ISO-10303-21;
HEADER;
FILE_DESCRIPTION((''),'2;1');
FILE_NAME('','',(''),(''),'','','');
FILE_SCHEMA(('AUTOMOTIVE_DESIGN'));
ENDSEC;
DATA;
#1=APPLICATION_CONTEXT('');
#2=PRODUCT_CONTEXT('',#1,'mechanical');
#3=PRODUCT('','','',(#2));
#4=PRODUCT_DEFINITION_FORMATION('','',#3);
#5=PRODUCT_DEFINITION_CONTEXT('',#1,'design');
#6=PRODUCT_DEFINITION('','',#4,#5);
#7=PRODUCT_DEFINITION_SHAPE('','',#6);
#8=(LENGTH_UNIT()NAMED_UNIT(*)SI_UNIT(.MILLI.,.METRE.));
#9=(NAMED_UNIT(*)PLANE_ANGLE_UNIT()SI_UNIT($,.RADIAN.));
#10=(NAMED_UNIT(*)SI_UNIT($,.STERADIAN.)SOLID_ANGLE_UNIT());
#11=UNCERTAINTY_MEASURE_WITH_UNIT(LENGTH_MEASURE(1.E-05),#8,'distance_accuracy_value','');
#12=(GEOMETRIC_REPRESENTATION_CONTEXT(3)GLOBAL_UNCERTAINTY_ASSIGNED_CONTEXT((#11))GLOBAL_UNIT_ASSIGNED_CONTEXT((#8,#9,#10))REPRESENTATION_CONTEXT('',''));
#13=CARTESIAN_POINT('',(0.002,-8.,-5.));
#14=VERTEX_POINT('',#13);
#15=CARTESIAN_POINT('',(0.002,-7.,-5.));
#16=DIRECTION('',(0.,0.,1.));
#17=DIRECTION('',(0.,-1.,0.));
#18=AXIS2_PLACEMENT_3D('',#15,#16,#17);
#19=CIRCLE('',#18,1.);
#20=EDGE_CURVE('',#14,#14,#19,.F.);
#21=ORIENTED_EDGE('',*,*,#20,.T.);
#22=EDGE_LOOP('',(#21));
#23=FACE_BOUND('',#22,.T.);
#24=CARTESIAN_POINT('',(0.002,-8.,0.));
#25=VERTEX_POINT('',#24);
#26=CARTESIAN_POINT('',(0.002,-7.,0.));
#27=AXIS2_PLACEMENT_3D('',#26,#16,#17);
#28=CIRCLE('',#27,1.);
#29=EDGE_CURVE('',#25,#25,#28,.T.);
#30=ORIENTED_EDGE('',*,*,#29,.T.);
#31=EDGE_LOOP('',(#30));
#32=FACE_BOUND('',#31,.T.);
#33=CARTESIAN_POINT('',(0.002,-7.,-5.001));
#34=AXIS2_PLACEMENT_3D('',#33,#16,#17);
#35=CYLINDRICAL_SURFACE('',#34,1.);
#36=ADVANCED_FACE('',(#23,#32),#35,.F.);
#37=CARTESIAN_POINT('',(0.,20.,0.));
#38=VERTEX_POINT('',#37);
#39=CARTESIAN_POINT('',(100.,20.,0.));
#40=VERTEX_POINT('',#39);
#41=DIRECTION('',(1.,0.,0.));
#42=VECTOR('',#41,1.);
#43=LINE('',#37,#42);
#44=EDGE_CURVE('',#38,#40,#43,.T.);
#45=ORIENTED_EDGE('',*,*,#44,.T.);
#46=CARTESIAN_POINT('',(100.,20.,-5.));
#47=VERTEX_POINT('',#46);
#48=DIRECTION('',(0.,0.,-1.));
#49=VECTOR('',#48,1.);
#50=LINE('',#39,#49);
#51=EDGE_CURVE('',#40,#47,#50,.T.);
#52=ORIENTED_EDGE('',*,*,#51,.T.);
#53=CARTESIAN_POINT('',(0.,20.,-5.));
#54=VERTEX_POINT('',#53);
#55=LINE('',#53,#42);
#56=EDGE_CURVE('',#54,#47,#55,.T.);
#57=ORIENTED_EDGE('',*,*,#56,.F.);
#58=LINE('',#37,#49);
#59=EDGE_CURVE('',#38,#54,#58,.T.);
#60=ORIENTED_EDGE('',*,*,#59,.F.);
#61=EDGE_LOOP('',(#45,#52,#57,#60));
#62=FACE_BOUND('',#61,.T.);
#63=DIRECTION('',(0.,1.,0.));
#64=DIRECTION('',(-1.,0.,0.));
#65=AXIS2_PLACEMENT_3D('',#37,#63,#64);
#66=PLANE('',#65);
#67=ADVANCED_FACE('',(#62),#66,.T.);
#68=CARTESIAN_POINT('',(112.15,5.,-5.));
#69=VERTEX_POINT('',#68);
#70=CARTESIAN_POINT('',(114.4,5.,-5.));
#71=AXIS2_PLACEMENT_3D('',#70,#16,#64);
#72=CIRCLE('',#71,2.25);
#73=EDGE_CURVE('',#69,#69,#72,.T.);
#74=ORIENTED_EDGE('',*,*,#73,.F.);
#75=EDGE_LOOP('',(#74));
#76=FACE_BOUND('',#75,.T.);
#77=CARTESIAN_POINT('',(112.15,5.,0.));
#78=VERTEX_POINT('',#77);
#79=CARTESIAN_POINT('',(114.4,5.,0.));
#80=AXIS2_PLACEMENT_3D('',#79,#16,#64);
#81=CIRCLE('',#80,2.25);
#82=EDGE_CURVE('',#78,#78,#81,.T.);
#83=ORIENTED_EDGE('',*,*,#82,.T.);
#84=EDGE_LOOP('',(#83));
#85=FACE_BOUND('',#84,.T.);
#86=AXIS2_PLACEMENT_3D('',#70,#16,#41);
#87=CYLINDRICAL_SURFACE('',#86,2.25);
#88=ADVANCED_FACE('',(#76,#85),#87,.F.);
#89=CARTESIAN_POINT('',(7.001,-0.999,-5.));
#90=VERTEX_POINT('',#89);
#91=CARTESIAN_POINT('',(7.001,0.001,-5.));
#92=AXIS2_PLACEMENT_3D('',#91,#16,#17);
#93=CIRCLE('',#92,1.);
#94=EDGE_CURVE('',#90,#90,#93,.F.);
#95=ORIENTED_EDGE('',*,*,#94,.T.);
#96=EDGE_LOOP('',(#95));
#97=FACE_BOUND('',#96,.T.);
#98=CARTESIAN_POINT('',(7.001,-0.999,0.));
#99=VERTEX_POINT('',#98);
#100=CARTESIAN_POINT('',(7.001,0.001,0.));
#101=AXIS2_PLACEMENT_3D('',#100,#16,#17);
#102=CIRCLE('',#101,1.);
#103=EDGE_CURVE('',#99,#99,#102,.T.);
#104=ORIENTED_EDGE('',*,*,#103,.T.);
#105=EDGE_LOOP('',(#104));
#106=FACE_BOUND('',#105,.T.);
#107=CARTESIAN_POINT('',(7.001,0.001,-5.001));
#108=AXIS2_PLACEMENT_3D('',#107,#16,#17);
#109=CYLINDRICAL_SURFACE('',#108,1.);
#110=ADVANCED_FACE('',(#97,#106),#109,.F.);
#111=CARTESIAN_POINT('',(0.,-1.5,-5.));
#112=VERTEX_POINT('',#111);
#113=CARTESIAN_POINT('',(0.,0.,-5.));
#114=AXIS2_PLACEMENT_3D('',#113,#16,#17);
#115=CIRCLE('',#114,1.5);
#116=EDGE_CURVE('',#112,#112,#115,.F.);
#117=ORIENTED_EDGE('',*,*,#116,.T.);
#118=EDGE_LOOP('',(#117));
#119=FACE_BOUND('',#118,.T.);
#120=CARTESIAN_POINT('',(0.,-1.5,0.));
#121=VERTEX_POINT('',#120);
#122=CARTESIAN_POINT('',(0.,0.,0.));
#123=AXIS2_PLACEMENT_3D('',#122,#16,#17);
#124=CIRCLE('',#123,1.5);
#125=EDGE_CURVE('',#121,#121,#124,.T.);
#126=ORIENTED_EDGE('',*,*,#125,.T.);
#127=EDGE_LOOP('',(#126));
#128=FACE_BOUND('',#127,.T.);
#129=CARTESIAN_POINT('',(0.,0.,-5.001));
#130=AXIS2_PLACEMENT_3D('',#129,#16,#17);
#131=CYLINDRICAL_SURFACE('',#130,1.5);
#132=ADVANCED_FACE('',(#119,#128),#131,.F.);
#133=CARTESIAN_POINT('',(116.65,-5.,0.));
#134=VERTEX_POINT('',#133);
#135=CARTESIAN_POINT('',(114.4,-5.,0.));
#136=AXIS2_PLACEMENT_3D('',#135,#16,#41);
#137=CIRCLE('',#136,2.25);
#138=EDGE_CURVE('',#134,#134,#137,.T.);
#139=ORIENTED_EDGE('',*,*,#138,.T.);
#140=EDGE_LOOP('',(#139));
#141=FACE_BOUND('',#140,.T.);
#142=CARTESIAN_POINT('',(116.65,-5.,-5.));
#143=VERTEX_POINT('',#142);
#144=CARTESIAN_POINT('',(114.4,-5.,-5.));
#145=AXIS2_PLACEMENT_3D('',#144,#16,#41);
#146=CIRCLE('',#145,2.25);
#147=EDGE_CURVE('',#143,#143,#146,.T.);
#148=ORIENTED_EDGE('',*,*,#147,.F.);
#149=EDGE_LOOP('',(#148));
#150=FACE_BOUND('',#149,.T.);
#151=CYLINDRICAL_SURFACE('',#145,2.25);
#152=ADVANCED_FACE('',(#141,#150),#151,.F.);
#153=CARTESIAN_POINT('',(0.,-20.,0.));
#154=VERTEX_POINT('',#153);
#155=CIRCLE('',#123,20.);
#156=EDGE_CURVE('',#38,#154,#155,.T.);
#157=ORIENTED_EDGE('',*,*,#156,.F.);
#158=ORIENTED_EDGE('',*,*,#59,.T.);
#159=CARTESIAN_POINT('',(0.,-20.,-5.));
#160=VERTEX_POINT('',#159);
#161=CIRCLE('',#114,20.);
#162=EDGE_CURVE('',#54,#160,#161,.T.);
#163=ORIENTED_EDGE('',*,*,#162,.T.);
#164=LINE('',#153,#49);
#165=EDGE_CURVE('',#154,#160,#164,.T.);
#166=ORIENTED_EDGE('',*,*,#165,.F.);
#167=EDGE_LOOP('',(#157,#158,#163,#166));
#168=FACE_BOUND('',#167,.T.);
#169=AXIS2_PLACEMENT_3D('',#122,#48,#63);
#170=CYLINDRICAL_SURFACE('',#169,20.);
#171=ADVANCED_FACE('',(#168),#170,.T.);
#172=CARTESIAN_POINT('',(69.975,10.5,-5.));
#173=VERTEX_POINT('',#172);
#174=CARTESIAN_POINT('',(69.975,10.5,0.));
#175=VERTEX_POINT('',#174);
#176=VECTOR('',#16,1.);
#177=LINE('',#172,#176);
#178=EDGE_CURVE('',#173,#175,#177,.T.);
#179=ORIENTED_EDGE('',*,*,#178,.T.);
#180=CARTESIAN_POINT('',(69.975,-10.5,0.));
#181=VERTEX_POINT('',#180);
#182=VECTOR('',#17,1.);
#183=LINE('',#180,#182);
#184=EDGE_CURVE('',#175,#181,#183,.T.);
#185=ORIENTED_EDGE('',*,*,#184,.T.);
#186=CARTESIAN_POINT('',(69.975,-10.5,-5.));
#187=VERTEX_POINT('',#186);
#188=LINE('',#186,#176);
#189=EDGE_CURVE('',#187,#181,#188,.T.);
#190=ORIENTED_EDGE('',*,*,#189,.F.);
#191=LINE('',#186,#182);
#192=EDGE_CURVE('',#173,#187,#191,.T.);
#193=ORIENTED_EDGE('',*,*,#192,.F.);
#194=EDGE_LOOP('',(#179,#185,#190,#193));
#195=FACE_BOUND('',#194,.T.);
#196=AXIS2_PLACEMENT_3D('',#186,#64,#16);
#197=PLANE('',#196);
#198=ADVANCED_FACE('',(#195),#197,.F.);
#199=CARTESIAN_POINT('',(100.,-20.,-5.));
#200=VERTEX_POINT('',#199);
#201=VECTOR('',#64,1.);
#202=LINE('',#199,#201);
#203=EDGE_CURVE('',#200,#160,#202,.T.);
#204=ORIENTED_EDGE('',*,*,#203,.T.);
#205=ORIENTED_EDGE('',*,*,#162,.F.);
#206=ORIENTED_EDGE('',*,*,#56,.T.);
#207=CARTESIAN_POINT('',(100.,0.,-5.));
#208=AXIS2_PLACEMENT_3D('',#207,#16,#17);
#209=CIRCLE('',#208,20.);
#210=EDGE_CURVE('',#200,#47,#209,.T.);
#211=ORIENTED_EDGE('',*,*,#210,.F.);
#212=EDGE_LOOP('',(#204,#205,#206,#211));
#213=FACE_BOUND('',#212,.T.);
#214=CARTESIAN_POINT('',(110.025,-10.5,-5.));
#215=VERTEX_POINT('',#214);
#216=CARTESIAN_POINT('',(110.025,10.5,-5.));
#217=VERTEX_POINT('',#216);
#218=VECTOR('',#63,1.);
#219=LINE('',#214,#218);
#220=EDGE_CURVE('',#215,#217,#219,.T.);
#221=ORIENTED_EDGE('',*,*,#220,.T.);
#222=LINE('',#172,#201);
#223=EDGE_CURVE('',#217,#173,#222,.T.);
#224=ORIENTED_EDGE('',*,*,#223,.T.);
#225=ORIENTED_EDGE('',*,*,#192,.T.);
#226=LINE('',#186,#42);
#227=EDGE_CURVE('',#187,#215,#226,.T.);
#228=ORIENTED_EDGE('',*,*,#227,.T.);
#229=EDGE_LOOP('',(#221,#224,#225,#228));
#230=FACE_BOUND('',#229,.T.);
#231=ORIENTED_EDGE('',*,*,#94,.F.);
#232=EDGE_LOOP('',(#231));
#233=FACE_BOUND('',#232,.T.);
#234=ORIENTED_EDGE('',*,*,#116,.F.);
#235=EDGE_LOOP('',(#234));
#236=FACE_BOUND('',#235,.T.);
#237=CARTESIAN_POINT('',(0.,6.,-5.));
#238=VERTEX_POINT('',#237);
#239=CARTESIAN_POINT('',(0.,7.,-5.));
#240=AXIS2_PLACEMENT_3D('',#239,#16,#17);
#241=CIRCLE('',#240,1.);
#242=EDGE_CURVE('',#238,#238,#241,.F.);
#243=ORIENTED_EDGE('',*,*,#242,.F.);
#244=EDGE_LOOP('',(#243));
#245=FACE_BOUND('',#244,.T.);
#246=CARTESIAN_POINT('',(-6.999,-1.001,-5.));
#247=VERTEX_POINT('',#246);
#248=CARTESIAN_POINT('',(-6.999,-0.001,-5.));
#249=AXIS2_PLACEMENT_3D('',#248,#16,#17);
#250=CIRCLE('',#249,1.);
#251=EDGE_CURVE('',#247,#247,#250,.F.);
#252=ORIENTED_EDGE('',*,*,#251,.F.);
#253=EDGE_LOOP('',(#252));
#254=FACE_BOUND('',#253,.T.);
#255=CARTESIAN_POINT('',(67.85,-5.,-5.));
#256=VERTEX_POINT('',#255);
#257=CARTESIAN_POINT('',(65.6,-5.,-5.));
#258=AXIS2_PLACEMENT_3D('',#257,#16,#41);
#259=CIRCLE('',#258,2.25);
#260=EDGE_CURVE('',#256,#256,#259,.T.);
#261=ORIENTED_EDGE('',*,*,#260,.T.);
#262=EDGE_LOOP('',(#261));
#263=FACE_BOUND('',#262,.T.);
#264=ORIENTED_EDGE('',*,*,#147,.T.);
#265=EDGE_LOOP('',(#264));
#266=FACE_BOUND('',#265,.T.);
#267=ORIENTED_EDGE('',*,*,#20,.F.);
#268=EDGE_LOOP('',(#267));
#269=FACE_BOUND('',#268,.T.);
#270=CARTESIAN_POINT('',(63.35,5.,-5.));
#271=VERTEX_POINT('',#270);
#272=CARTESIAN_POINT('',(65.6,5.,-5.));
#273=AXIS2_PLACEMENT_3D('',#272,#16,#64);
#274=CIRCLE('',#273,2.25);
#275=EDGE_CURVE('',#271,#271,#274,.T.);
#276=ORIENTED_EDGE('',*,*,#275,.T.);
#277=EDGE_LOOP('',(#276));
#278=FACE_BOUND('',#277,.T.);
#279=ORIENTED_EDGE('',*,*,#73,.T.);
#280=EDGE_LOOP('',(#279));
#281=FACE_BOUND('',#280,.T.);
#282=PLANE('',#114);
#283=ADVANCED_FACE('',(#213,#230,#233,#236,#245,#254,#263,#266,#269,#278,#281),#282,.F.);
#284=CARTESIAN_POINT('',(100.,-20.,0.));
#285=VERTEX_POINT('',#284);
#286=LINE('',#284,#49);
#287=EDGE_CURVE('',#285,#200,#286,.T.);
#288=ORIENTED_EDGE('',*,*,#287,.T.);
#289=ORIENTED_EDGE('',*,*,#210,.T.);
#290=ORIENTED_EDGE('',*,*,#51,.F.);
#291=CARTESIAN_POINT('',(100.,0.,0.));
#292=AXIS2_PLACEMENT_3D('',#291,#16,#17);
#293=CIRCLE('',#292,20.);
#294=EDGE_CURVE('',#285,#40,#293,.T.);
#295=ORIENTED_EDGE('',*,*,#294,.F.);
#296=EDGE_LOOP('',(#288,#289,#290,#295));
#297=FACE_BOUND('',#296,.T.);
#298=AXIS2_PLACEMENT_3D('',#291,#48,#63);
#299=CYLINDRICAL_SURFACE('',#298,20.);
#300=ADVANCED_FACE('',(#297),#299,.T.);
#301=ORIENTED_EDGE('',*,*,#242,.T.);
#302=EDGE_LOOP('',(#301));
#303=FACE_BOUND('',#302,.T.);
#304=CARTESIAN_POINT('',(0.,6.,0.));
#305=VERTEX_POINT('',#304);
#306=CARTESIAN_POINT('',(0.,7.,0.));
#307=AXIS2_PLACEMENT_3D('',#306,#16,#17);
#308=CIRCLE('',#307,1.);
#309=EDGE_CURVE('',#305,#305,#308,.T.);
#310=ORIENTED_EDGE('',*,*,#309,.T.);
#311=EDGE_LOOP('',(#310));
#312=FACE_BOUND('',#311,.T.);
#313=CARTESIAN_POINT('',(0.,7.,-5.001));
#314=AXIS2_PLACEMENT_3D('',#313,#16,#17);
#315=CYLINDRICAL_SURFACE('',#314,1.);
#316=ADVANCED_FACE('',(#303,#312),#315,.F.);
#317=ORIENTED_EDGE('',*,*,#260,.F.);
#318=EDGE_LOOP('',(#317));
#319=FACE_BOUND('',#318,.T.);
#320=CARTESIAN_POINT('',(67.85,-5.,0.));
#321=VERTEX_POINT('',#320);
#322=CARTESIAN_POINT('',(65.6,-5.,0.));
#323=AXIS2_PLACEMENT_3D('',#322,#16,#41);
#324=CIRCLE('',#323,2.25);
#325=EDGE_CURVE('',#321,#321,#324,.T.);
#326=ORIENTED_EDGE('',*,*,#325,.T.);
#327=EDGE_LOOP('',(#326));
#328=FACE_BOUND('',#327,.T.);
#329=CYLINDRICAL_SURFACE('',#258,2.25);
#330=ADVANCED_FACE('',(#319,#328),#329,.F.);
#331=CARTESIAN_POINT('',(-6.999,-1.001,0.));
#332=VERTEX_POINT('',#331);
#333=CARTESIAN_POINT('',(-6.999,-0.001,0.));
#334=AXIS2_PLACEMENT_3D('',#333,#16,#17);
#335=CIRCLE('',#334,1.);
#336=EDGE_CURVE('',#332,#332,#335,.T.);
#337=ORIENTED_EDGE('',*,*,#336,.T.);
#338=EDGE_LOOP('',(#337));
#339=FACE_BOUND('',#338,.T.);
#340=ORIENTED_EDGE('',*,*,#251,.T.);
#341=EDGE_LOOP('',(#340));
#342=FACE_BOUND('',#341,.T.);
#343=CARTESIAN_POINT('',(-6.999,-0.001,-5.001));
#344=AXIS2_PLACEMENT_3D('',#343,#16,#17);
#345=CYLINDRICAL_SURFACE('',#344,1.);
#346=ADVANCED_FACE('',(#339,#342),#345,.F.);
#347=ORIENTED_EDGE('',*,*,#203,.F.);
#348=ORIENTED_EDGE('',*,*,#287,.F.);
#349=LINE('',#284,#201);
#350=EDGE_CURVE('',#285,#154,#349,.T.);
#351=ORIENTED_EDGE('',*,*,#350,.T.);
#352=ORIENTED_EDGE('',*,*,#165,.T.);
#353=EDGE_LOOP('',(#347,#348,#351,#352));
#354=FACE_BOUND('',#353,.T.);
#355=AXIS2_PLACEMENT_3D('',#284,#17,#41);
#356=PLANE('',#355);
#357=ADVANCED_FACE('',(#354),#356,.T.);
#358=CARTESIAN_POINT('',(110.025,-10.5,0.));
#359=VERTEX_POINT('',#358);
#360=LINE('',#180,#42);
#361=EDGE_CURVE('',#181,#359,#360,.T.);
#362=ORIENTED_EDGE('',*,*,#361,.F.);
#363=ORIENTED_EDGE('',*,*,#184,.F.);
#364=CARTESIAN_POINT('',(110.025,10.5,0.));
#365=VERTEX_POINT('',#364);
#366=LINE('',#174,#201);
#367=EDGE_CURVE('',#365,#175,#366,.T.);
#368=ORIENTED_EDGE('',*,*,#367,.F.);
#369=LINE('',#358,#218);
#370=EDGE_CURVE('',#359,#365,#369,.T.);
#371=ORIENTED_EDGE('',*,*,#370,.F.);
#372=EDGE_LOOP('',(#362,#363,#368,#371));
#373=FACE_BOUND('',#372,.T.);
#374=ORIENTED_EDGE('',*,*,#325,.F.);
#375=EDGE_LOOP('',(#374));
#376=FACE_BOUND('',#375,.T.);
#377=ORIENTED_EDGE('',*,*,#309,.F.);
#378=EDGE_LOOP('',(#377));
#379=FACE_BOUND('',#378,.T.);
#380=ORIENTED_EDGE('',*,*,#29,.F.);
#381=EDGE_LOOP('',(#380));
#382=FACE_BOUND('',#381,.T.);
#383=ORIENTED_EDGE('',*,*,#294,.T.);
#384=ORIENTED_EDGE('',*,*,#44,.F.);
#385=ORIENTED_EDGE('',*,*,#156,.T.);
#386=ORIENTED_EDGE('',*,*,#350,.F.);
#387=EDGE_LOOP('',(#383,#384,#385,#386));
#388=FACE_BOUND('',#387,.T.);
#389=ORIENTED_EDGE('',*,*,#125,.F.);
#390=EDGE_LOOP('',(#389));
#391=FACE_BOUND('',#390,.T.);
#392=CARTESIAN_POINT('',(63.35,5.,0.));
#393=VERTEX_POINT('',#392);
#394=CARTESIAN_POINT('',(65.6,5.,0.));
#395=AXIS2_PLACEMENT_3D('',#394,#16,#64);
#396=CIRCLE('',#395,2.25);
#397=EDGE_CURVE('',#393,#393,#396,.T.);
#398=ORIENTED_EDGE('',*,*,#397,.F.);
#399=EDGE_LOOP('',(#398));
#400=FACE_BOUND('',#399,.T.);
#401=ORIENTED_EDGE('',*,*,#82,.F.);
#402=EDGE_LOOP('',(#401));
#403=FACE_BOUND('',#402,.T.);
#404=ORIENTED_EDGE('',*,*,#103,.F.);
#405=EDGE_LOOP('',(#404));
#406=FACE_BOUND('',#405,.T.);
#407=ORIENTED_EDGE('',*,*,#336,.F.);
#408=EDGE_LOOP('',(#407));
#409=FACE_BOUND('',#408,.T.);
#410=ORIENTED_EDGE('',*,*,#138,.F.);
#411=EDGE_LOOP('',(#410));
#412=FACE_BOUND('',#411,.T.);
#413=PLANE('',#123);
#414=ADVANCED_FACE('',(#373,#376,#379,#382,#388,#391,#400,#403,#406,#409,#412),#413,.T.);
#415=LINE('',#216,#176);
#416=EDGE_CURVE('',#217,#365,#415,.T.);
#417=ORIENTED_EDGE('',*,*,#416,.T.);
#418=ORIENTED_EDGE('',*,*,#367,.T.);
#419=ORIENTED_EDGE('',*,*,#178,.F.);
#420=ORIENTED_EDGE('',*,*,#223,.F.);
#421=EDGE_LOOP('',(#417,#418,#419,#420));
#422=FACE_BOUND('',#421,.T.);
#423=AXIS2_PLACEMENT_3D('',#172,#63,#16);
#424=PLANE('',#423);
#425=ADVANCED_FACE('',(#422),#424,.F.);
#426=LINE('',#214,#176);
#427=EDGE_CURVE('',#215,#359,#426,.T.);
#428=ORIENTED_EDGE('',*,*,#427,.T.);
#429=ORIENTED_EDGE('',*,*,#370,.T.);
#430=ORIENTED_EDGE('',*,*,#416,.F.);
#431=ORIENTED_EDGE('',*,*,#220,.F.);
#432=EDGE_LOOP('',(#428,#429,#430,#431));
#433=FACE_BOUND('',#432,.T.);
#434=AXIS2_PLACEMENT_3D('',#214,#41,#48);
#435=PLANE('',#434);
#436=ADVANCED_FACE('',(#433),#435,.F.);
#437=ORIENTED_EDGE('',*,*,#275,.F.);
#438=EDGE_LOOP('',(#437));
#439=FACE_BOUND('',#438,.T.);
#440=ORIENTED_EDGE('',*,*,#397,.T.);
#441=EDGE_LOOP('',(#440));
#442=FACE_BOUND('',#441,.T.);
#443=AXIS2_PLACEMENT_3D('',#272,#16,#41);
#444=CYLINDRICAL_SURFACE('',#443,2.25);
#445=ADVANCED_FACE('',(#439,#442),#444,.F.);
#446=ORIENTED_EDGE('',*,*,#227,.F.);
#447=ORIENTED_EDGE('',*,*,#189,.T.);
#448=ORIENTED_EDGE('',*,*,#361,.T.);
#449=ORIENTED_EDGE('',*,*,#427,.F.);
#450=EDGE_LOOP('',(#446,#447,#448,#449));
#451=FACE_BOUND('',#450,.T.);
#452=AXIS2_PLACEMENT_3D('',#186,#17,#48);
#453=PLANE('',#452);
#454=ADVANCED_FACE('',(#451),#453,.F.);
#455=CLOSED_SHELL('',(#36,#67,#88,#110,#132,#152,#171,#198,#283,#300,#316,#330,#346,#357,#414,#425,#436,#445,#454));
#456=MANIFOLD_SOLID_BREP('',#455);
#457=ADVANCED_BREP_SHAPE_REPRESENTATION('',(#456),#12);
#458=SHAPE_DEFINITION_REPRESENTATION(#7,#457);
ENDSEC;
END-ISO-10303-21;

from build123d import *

# Parameters (mm, degrees)
BOSS_EXTRUDE1_DEPTH   = 5
CUT_EXTRUDE1_REACH    = 123.758
SKETCH2_R             = 1.5
SKETCH2_R_2           = 1
BODY_MOVE_COPY1_ANGLE = 90
SKETCH19_R            = 2.25
SKETCH19_W            = 40.05
SKETCH19_H            = 21
CUT_EXTRUDE9_DEPTH    = 122.757956619


with BuildPart() as part:
    # Sketch1 → Boss-Extrude1 (new body)
    with BuildSketch(Plane(origin=(0, 0, 0), x_dir=(1, 0, 0), z_dir=(0, 1, 0))):
        with BuildLine():
            Line((100, -20), (0, -20))
            ThreePointArc((0, -20), (-20, 0), (0, 20))
            Line((0, 20), (100, 20))
            ThreePointArc((100, 20), (120, 0), (100, -20))
        make_face()
    extrude(amount=BOSS_EXTRUDE1_DEPTH)

    # Sketch2 → Cut-Extrude1 (cut, up to next)
    with BuildSketch(Plane(origin=(0, 5, 0), x_dir=(1, 0, 0), z_dir=(0, 1, 0)), mode=Mode.PRIVATE) as cut_extrude1_sk1:
        with Locations(Location((0, 0, 0), (0, 0, 270))):
            Circle(SKETCH2_R)
    cut_extrude1_tool1 = extrude(cut_extrude1_sk1.sketch, amount=-CUT_EXTRUDE1_REACH, mode=Mode.PRIVATE) & part.part
    # Sketch2 → Cut-Extrude1 (cut, up to next)
    with BuildSketch(Plane(origin=(0, 5, 0), x_dir=(1, 0, 0), z_dir=(0, 1, 0)), mode=Mode.PRIVATE) as cut_extrude1_sk2:
        with Locations(Location((0, 7, 0), (0, 0, 270))):
            Circle(SKETCH2_R_2)
    cut_extrude1_tool2 = extrude(cut_extrude1_sk2.sketch, amount=-CUT_EXTRUDE1_REACH, mode=Mode.PRIVATE) & part.part
    # Sketch2 → Cut-Extrude1 (cut, up to next)
    with BuildSketch(Plane(origin=(0, 5, 0), x_dir=(1, 0, 0), z_dir=(0, 1, 0)), mode=Mode.PRIVATE) as cut_extrude1_sk3:
        with Locations(Location((7.001, 0.001, 0), (0, 0, 270))):
            Circle(SKETCH2_R_2)
    cut_extrude1_tool3 = extrude(cut_extrude1_sk3.sketch, amount=-CUT_EXTRUDE1_REACH, mode=Mode.PRIVATE) & part.part
    # Sketch2 → Cut-Extrude1 (cut, up to next)
    with BuildSketch(Plane(origin=(0, 5, 0), x_dir=(1, 0, 0), z_dir=(0, 1, 0)), mode=Mode.PRIVATE) as cut_extrude1_sk4:
        with Locations(Location((0.002, -7, 0), (0, 0, 270))):
            Circle(SKETCH2_R_2)
    cut_extrude1_tool4 = extrude(cut_extrude1_sk4.sketch, amount=-CUT_EXTRUDE1_REACH, mode=Mode.PRIVATE) & part.part
    # Sketch2 → Cut-Extrude1 (cut, up to next)
    with BuildSketch(Plane(origin=(0, 5, 0), x_dir=(1, 0, 0), z_dir=(0, 1, 0)), mode=Mode.PRIVATE) as cut_extrude1_sk5:
        with Locations(Location((-6.999, -0.001, 0), (0, 0, 270))):
            Circle(SKETCH2_R_2)
    cut_extrude1_tool5 = extrude(cut_extrude1_sk5.sketch, amount=-CUT_EXTRUDE1_REACH, mode=Mode.PRIVATE) & part.part
    add(cut_extrude1_tool1.solids().sort_by_distance((0, 5, 0))[0], mode=Mode.SUBTRACT)
    add(cut_extrude1_tool2.solids().sort_by_distance((0, 5, -7))[0], mode=Mode.SUBTRACT)
    add(cut_extrude1_tool3.solids().sort_by_distance((7.001, 5, -0.001))[0], mode=Mode.SUBTRACT)
    add(cut_extrude1_tool4.solids().sort_by_distance((0.002, 5, 7))[0], mode=Mode.SUBTRACT)
    add(cut_extrude1_tool5.solids().sort_by_distance((-6.999, 5, 0.001))[0], mode=Mode.SUBTRACT)


with BuildPart() as part_1:
    # Body-Move/Copy1: moved
    add(part.part.rotate(Axis((0, 0, 0), (1, 0, 0)), BODY_MOVE_COPY1_ANGLE))

    # Sketch19 → Cut-Extrude9 (cut, through all)
    with BuildSketch(Plane.XY.offset(5)):
        with Locations((114.4, -5)):
            Circle(SKETCH19_R)
        with Locations(Location((114.4, 5, 0), (0, 0, 180))):
            Circle(SKETCH19_R)
        with Locations(Location((65.6, 5, 0), (0, 0, 180))):
            Circle(SKETCH19_R)
        with Locations((65.6, -5)):
            Circle(SKETCH19_R)
        with Locations((90, 0)):
            Rectangle(SKETCH19_W, SKETCH19_H)
    extrude(amount=-CUT_EXTRUDE9_DEPTH, mode=Mode.SUBTRACT)


with BuildPart() as part_2:
    # Body-Move/Copy2: moved
    add(part_1.part.moved(Location((0, 0, -5))))


solid = part_2.part
